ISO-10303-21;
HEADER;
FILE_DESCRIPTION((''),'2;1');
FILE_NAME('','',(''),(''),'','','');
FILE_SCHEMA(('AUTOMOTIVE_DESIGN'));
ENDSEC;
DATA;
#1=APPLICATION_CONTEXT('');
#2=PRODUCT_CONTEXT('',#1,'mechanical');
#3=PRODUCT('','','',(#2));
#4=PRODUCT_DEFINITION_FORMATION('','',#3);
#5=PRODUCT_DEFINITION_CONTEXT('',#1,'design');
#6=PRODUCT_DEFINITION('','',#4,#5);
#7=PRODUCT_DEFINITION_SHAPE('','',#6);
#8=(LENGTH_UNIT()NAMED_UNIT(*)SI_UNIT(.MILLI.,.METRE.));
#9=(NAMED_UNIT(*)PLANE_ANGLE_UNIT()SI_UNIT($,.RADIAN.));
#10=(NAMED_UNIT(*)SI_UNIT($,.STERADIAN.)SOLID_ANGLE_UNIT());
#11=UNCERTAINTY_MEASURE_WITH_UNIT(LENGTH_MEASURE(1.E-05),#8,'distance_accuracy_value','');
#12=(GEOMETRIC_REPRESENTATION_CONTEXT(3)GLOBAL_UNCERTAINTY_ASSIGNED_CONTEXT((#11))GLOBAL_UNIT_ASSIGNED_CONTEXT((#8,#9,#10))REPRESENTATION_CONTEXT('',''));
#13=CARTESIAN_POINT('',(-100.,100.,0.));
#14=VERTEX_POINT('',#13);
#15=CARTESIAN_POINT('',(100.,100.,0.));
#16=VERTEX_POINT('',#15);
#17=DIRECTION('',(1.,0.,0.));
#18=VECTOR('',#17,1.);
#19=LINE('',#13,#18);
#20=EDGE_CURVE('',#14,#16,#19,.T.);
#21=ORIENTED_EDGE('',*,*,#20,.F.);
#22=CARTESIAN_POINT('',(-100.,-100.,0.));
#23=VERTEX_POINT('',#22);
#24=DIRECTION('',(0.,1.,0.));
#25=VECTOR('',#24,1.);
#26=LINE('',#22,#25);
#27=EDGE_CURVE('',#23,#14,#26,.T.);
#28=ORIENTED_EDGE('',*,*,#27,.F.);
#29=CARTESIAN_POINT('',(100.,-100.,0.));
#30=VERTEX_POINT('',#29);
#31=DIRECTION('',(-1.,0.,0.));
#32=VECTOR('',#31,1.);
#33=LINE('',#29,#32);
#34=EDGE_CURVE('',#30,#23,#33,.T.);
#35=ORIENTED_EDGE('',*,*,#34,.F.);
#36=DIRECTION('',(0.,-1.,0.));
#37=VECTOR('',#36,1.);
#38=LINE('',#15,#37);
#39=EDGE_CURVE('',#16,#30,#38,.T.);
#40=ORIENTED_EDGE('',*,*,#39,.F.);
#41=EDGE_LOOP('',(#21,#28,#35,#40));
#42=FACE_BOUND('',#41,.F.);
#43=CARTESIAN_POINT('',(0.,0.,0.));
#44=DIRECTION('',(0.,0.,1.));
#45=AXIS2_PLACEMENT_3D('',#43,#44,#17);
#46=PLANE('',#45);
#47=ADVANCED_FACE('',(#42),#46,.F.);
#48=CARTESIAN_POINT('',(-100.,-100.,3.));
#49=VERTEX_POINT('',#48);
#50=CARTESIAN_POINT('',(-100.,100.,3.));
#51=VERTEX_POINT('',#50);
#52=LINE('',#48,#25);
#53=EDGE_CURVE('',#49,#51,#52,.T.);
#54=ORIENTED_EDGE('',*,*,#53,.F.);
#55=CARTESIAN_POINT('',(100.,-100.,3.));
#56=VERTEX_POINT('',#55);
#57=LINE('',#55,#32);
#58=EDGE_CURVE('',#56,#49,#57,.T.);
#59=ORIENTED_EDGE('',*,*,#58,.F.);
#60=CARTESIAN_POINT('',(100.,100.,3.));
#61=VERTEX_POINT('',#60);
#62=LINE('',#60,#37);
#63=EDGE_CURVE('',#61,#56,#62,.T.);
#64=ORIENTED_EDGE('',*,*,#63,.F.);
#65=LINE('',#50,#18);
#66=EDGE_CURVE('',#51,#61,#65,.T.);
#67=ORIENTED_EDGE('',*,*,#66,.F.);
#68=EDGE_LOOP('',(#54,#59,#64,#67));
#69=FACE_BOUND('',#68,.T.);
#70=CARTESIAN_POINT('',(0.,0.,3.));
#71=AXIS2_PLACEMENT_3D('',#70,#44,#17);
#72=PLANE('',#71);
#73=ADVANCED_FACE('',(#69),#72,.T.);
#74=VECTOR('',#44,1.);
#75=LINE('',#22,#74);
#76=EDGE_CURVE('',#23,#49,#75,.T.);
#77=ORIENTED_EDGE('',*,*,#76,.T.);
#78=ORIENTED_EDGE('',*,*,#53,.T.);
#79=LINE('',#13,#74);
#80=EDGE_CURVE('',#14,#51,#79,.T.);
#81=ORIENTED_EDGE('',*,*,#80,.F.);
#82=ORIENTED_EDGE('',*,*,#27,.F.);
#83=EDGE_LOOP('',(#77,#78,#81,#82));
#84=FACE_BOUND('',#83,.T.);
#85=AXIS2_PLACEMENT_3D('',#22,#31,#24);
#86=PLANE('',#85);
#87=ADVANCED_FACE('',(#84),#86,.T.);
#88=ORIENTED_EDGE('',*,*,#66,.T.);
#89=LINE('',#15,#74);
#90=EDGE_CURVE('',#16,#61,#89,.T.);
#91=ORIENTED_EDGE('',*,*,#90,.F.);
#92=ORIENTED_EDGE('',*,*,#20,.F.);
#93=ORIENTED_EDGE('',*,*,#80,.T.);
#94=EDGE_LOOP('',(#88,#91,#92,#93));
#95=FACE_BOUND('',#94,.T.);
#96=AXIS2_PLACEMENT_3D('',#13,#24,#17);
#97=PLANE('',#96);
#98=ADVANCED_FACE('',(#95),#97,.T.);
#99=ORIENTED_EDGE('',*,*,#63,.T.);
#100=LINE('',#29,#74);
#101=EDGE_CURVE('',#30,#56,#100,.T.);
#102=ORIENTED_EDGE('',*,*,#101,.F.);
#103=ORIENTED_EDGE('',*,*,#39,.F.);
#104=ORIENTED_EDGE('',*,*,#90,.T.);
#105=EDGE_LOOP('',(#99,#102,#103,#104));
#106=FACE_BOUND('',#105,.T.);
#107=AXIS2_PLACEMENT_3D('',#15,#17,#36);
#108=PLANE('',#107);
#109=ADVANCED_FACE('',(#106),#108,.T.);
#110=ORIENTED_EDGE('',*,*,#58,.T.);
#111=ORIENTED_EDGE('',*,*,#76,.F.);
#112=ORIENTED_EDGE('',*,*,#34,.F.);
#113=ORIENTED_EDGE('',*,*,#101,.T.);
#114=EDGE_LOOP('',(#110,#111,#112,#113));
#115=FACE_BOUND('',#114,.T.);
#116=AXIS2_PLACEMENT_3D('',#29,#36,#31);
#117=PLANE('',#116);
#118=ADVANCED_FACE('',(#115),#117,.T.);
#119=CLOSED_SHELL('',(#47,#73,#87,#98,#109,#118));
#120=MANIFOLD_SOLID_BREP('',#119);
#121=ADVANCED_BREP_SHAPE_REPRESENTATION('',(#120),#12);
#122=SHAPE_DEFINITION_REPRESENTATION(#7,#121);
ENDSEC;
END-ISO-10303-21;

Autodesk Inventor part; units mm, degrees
sketch "Sketch2" plane through (0, 0, 0) normal (0, 0, 1) x (1, 0, 0)
  line L0 (100, -100) -> (-100, -100)
  line L1 (-100, -100) -> (-100, 100)
  line L2 (-100, 100) -> (100, 100)
  line L3 (100, 100) -> (100, -100)
  line L4 (100, -100) -> (-100, 100) construction
  line L5 (-100, -100) -> (100, 100) construction
  point P0 (0, 0)
  dimension "d0" = 200
  dimension "d1" = 200
extrude "Extrusion1" add sketch "Sketch2" along normal blind 3
properties part number "P026_Socle_Boitier"
